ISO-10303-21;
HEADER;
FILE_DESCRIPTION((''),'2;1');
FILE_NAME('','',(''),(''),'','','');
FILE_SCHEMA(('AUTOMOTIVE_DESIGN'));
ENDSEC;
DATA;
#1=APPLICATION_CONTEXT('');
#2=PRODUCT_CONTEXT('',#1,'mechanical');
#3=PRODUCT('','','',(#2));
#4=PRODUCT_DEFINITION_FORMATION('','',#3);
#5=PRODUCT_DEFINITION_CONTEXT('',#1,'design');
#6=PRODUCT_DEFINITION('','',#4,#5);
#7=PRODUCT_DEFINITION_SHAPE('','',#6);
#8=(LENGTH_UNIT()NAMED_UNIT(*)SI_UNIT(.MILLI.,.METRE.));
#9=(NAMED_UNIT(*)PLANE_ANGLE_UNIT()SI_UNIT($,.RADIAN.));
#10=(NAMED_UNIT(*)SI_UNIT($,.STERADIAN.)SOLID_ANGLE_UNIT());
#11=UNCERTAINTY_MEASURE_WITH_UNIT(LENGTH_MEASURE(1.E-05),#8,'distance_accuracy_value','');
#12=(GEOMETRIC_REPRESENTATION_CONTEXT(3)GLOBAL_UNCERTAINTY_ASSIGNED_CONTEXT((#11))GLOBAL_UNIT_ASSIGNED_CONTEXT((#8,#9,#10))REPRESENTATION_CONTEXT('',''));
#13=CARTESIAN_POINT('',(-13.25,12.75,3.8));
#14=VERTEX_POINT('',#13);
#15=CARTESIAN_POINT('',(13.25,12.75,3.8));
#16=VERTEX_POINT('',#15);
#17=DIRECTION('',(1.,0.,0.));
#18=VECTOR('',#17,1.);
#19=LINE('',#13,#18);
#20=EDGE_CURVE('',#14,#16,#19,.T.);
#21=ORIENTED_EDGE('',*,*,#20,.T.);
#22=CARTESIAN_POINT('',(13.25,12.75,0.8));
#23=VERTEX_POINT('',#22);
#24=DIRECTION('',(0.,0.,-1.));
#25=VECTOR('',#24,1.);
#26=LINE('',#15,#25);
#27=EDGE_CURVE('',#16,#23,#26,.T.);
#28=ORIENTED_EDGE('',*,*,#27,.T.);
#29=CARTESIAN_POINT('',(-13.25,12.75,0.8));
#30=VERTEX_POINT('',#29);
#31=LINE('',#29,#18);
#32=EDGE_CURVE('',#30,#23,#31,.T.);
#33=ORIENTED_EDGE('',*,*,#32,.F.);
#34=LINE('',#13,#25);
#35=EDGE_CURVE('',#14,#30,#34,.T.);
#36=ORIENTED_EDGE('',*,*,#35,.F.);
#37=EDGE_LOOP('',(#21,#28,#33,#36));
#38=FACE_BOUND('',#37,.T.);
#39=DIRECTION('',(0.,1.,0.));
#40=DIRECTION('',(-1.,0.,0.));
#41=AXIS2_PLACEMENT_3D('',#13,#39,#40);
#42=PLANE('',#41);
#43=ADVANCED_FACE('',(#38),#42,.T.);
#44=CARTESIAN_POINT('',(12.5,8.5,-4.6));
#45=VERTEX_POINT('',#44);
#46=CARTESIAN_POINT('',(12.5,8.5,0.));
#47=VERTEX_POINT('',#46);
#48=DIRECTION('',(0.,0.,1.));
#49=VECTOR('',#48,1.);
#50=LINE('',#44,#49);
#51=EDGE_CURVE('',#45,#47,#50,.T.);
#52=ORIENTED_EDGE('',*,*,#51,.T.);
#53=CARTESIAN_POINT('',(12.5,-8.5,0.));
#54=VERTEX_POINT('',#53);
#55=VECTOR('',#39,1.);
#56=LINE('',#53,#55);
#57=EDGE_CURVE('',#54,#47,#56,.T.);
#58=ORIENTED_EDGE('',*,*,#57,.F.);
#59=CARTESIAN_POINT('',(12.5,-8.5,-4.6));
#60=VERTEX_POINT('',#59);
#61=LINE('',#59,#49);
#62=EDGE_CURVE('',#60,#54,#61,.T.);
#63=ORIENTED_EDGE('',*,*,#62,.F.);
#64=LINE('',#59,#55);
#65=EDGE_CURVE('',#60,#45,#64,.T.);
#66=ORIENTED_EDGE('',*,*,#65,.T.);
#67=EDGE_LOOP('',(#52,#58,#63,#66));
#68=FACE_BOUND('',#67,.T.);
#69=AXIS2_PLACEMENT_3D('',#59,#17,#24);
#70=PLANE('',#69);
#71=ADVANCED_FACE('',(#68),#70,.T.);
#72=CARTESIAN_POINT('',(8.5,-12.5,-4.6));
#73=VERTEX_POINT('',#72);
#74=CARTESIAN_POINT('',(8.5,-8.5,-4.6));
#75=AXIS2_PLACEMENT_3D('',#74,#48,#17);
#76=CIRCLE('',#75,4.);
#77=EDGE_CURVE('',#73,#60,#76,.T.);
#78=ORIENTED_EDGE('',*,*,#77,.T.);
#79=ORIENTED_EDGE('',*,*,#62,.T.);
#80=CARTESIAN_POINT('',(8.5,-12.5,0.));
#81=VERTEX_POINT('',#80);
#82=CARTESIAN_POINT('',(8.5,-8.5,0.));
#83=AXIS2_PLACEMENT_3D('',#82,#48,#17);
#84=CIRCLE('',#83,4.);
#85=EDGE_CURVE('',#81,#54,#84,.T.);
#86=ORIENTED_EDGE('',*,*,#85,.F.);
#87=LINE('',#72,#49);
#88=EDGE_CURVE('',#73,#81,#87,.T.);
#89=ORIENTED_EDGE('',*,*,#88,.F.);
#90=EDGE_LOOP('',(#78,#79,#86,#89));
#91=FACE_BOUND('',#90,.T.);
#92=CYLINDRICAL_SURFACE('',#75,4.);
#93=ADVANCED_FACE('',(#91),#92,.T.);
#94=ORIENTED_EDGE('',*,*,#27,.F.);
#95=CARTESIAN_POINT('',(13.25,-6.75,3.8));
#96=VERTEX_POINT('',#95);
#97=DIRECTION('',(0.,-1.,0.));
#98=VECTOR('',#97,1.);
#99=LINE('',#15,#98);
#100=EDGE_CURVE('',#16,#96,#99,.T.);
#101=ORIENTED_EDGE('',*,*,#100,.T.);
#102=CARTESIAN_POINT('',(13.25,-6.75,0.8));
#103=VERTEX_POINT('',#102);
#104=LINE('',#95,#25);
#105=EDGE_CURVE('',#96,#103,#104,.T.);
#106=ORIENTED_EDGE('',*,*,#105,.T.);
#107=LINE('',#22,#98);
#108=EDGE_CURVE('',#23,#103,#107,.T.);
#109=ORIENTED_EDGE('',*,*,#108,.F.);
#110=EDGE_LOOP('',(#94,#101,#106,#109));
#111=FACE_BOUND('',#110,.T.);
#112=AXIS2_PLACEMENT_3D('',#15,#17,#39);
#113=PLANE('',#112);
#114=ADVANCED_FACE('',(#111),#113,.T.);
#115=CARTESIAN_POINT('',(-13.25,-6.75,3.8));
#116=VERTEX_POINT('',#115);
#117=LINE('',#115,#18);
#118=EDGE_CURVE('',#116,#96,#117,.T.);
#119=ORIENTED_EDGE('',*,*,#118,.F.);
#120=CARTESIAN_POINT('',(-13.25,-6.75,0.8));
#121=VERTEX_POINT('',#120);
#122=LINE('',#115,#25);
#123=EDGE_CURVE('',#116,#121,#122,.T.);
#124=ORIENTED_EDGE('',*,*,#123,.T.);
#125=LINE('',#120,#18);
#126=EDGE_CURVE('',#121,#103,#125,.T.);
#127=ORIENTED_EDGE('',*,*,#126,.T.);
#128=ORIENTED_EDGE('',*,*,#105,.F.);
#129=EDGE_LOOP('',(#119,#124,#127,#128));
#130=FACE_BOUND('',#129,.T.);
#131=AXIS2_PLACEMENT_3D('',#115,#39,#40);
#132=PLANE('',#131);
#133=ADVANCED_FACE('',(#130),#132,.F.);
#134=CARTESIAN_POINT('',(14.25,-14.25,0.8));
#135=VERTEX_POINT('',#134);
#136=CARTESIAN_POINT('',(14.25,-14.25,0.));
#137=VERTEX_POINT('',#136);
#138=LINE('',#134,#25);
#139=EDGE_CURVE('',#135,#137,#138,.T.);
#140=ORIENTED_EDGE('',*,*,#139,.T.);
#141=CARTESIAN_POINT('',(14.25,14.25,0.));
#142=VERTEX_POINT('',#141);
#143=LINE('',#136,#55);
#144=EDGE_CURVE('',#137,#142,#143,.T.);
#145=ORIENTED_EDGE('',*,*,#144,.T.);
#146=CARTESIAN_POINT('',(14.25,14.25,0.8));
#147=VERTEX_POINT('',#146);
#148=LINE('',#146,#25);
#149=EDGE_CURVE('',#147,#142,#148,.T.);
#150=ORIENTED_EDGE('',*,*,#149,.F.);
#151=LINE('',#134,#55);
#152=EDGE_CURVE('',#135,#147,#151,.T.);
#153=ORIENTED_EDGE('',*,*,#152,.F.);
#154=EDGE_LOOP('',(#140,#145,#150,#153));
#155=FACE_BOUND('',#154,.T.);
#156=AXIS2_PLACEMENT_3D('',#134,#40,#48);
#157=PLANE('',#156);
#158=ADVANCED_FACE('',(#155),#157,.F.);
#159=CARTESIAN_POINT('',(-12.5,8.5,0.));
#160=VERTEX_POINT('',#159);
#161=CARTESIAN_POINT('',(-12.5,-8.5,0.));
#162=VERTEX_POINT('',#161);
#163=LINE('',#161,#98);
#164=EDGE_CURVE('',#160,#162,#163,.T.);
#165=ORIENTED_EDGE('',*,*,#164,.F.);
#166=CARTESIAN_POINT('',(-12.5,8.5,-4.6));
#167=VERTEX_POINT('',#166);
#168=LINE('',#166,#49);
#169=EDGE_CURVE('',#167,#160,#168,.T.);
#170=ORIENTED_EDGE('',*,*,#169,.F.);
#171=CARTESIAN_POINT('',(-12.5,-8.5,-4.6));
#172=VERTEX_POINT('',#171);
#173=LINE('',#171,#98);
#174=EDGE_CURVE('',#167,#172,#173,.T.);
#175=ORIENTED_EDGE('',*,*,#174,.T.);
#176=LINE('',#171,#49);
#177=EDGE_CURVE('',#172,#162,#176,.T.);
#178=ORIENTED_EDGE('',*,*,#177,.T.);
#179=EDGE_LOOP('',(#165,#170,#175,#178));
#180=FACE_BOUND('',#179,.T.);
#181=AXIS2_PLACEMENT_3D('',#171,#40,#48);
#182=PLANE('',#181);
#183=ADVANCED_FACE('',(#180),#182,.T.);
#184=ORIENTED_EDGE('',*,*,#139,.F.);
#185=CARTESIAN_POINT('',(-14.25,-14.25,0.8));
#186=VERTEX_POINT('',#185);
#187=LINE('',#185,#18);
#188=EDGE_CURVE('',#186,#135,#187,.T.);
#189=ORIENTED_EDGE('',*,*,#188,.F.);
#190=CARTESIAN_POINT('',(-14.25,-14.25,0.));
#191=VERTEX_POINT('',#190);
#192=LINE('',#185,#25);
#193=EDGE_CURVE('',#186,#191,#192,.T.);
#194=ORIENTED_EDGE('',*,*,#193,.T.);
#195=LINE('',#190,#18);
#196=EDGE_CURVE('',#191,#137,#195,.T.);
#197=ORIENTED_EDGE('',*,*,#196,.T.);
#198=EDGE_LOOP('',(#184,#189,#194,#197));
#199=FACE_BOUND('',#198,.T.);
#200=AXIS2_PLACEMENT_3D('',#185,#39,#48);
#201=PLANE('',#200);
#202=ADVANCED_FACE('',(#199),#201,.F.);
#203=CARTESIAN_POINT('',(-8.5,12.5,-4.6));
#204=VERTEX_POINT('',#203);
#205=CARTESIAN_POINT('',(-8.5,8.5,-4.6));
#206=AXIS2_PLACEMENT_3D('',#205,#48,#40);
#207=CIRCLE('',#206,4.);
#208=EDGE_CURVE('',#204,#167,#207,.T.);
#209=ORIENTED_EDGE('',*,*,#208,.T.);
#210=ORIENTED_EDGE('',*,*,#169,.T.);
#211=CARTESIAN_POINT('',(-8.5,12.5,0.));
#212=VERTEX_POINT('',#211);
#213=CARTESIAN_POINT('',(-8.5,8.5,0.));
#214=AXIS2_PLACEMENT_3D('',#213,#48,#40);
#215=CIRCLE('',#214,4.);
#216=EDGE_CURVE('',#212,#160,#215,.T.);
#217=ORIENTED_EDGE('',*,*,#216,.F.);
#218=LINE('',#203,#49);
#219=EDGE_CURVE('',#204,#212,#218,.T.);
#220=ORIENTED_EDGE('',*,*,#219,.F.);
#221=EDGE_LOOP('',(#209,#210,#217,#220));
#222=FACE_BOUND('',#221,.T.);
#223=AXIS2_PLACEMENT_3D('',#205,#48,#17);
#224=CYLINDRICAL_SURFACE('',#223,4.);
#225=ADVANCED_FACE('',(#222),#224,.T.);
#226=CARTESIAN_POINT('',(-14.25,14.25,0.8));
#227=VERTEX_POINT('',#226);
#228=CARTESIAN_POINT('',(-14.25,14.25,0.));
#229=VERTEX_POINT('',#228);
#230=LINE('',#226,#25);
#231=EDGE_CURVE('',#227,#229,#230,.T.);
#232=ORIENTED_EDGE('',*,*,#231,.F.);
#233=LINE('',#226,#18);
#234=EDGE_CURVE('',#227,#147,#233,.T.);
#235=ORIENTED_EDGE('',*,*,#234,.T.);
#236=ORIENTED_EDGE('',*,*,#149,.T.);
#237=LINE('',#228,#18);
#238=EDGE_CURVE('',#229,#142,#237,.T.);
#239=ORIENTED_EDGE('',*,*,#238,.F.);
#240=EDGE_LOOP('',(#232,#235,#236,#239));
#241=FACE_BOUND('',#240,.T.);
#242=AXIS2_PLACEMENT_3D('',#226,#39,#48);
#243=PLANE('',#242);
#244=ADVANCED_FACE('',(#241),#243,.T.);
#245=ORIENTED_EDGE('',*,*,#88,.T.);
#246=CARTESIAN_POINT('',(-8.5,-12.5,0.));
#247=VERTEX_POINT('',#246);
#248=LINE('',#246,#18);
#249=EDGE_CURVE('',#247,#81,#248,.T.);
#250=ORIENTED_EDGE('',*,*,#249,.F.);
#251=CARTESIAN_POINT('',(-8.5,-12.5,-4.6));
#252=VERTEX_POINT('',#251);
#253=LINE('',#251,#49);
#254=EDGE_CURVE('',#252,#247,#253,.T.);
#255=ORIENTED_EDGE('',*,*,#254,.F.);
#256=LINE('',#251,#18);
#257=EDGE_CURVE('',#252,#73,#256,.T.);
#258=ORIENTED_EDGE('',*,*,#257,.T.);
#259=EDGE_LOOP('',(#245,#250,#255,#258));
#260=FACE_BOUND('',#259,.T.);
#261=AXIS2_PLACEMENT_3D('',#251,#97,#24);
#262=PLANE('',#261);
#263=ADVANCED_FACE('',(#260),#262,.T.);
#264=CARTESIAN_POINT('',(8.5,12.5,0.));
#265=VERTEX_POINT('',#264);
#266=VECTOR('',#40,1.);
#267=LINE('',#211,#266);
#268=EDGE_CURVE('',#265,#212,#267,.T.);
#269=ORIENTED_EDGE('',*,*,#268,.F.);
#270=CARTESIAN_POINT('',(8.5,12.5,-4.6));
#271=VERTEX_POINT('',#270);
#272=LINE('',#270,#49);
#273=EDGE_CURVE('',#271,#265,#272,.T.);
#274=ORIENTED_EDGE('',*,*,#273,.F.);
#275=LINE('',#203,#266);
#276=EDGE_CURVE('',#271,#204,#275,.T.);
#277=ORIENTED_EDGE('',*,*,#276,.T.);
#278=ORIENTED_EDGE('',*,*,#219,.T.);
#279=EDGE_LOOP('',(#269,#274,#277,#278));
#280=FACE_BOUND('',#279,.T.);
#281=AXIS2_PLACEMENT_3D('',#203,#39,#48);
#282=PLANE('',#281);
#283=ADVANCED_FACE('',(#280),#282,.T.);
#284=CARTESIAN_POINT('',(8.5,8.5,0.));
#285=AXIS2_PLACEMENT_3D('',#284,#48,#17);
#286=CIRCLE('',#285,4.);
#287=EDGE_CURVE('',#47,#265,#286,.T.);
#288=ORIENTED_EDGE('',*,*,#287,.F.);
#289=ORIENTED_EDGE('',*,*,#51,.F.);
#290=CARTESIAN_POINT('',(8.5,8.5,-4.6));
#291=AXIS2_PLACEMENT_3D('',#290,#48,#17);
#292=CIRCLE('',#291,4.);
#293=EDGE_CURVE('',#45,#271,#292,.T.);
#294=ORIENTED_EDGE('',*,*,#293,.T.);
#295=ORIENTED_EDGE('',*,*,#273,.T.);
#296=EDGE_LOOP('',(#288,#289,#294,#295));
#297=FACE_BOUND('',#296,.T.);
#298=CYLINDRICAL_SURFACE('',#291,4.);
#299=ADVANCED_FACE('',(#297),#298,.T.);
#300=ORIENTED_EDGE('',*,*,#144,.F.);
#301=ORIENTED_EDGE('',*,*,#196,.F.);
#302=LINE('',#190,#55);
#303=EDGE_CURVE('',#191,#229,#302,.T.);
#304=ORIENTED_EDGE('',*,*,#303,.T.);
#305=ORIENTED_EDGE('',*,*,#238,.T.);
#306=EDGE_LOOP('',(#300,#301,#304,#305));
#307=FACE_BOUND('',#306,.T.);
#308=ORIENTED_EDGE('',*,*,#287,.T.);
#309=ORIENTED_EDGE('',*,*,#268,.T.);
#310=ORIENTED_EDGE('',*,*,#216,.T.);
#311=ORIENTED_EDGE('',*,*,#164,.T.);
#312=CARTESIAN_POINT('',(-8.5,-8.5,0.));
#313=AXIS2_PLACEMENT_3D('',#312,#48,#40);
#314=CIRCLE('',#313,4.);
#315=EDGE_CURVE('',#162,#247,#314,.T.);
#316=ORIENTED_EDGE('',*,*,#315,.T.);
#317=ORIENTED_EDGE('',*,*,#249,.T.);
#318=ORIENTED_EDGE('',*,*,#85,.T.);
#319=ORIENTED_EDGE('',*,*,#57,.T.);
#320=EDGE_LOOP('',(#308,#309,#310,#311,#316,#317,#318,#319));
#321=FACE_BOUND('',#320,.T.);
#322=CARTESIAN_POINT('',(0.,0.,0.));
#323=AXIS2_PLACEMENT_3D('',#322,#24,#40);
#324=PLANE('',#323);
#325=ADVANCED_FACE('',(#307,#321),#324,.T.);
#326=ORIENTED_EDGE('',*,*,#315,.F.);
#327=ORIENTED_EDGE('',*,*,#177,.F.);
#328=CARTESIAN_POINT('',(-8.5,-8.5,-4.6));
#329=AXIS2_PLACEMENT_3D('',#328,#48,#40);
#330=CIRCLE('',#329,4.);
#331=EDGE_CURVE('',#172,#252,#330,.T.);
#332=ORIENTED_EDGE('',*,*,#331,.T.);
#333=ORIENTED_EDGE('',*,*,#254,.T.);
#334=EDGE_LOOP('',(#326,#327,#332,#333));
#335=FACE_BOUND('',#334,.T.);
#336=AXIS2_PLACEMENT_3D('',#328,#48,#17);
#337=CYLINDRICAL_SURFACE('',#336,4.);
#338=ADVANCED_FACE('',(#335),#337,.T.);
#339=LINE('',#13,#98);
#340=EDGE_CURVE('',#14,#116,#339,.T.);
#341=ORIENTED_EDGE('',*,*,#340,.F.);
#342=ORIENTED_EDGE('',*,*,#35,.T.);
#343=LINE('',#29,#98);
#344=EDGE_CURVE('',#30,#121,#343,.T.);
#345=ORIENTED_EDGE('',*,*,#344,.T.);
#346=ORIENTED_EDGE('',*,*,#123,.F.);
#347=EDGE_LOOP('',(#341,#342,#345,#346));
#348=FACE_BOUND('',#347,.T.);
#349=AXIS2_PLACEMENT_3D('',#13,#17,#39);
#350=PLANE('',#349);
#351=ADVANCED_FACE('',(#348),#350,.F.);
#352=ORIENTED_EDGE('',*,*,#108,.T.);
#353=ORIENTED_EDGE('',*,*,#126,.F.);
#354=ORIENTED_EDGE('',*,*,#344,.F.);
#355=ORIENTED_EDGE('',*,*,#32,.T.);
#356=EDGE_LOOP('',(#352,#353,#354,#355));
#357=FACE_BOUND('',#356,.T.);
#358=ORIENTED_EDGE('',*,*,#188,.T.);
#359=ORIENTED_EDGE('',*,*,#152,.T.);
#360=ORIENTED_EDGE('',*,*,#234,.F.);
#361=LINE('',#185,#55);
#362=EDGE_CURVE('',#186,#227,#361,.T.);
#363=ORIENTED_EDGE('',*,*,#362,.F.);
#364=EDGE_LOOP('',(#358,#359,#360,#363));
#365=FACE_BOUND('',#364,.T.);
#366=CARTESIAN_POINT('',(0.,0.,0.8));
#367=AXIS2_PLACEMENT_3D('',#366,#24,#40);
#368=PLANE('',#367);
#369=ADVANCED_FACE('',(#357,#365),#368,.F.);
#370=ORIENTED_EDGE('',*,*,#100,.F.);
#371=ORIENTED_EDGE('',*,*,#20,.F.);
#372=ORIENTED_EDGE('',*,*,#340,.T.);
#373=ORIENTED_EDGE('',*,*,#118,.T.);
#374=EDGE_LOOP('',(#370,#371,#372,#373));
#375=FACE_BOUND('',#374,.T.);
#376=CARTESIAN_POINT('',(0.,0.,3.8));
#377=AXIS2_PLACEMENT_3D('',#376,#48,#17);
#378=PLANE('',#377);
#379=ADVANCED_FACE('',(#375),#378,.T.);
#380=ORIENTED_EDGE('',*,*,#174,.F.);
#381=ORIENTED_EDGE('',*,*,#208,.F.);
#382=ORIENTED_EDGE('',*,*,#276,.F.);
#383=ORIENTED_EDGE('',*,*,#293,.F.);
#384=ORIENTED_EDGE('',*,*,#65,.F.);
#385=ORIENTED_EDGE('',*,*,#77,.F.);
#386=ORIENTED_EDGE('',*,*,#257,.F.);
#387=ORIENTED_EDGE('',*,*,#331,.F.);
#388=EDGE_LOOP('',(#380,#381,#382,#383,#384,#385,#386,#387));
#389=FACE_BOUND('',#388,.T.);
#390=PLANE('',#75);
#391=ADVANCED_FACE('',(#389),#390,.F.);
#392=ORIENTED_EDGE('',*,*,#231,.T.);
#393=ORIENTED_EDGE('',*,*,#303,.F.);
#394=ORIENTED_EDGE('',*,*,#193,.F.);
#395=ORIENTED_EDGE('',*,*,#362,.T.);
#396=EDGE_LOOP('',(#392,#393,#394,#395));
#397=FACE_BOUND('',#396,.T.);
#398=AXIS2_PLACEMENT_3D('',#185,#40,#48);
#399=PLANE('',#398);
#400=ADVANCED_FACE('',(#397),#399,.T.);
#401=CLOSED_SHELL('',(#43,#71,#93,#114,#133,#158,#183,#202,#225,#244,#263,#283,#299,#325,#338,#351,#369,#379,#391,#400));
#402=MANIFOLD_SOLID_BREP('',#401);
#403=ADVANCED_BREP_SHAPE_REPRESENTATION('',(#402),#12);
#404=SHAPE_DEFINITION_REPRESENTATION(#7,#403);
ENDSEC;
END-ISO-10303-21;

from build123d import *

# Parameters (mm, degrees)
SKETCH_1_W      = 28.5
SKETCH_1_H      = 28.5
EXTRUDE_1_DEPTH = 0.8
SKETCH_2_W      = 26.5
SKETCH_2_H      = 19.5
EXTRUDE_2_DEPTH = 3
EXTRUDE_START   = -3.8
EXTRUDE_3_DEPTH = 4.6


with BuildPart() as part:
    # Эскиз1 → Бобышка-Вытянуть1 (new body)
    with BuildSketch(Plane.XY):
        Rectangle(SKETCH_1_W, SKETCH_1_H)
    extrude(amount=EXTRUDE_1_DEPTH)

    # Эскиз2 → Бобышка-Вытянуть2 (add)
    with BuildSketch(Plane.XY.offset(0.8)):
        with Locations((0, 3)):
            Rectangle(SKETCH_2_W, SKETCH_2_H)
    extrude(amount=EXTRUDE_2_DEPTH)

    # Эскиз5 → Бобышка-Вытянуть3 (add)
    with BuildSketch(Plane.XY.offset(3.8).offset(EXTRUDE_START)):
        with BuildLine():
            Line((-8.5, -12.5), (8.5, -12.5))
            ThreePointArc((8.5, -12.5), (11.328427125, -11.328427125), (12.5, -8.5))
            Line((12.5, -8.5), (12.5, 8.5))
            ThreePointArc((12.5, 8.5), (11.328427125, 11.328427125), (8.5, 12.5))
            Line((8.5, 12.5), (-8.5, 12.5))
            ThreePointArc((-8.5, 12.5), (-11.328427125, 11.328427125), (-12.5, 8.5))
            Line((-12.5, 8.5), (-12.5, -8.5))
            ThreePointArc((-12.5, -8.5), (-11.328427125, -11.328427125), (-8.5, -12.5))
        make_face()
    extrude(amount=-EXTRUDE_3_DEPTH)


solid = part.part
